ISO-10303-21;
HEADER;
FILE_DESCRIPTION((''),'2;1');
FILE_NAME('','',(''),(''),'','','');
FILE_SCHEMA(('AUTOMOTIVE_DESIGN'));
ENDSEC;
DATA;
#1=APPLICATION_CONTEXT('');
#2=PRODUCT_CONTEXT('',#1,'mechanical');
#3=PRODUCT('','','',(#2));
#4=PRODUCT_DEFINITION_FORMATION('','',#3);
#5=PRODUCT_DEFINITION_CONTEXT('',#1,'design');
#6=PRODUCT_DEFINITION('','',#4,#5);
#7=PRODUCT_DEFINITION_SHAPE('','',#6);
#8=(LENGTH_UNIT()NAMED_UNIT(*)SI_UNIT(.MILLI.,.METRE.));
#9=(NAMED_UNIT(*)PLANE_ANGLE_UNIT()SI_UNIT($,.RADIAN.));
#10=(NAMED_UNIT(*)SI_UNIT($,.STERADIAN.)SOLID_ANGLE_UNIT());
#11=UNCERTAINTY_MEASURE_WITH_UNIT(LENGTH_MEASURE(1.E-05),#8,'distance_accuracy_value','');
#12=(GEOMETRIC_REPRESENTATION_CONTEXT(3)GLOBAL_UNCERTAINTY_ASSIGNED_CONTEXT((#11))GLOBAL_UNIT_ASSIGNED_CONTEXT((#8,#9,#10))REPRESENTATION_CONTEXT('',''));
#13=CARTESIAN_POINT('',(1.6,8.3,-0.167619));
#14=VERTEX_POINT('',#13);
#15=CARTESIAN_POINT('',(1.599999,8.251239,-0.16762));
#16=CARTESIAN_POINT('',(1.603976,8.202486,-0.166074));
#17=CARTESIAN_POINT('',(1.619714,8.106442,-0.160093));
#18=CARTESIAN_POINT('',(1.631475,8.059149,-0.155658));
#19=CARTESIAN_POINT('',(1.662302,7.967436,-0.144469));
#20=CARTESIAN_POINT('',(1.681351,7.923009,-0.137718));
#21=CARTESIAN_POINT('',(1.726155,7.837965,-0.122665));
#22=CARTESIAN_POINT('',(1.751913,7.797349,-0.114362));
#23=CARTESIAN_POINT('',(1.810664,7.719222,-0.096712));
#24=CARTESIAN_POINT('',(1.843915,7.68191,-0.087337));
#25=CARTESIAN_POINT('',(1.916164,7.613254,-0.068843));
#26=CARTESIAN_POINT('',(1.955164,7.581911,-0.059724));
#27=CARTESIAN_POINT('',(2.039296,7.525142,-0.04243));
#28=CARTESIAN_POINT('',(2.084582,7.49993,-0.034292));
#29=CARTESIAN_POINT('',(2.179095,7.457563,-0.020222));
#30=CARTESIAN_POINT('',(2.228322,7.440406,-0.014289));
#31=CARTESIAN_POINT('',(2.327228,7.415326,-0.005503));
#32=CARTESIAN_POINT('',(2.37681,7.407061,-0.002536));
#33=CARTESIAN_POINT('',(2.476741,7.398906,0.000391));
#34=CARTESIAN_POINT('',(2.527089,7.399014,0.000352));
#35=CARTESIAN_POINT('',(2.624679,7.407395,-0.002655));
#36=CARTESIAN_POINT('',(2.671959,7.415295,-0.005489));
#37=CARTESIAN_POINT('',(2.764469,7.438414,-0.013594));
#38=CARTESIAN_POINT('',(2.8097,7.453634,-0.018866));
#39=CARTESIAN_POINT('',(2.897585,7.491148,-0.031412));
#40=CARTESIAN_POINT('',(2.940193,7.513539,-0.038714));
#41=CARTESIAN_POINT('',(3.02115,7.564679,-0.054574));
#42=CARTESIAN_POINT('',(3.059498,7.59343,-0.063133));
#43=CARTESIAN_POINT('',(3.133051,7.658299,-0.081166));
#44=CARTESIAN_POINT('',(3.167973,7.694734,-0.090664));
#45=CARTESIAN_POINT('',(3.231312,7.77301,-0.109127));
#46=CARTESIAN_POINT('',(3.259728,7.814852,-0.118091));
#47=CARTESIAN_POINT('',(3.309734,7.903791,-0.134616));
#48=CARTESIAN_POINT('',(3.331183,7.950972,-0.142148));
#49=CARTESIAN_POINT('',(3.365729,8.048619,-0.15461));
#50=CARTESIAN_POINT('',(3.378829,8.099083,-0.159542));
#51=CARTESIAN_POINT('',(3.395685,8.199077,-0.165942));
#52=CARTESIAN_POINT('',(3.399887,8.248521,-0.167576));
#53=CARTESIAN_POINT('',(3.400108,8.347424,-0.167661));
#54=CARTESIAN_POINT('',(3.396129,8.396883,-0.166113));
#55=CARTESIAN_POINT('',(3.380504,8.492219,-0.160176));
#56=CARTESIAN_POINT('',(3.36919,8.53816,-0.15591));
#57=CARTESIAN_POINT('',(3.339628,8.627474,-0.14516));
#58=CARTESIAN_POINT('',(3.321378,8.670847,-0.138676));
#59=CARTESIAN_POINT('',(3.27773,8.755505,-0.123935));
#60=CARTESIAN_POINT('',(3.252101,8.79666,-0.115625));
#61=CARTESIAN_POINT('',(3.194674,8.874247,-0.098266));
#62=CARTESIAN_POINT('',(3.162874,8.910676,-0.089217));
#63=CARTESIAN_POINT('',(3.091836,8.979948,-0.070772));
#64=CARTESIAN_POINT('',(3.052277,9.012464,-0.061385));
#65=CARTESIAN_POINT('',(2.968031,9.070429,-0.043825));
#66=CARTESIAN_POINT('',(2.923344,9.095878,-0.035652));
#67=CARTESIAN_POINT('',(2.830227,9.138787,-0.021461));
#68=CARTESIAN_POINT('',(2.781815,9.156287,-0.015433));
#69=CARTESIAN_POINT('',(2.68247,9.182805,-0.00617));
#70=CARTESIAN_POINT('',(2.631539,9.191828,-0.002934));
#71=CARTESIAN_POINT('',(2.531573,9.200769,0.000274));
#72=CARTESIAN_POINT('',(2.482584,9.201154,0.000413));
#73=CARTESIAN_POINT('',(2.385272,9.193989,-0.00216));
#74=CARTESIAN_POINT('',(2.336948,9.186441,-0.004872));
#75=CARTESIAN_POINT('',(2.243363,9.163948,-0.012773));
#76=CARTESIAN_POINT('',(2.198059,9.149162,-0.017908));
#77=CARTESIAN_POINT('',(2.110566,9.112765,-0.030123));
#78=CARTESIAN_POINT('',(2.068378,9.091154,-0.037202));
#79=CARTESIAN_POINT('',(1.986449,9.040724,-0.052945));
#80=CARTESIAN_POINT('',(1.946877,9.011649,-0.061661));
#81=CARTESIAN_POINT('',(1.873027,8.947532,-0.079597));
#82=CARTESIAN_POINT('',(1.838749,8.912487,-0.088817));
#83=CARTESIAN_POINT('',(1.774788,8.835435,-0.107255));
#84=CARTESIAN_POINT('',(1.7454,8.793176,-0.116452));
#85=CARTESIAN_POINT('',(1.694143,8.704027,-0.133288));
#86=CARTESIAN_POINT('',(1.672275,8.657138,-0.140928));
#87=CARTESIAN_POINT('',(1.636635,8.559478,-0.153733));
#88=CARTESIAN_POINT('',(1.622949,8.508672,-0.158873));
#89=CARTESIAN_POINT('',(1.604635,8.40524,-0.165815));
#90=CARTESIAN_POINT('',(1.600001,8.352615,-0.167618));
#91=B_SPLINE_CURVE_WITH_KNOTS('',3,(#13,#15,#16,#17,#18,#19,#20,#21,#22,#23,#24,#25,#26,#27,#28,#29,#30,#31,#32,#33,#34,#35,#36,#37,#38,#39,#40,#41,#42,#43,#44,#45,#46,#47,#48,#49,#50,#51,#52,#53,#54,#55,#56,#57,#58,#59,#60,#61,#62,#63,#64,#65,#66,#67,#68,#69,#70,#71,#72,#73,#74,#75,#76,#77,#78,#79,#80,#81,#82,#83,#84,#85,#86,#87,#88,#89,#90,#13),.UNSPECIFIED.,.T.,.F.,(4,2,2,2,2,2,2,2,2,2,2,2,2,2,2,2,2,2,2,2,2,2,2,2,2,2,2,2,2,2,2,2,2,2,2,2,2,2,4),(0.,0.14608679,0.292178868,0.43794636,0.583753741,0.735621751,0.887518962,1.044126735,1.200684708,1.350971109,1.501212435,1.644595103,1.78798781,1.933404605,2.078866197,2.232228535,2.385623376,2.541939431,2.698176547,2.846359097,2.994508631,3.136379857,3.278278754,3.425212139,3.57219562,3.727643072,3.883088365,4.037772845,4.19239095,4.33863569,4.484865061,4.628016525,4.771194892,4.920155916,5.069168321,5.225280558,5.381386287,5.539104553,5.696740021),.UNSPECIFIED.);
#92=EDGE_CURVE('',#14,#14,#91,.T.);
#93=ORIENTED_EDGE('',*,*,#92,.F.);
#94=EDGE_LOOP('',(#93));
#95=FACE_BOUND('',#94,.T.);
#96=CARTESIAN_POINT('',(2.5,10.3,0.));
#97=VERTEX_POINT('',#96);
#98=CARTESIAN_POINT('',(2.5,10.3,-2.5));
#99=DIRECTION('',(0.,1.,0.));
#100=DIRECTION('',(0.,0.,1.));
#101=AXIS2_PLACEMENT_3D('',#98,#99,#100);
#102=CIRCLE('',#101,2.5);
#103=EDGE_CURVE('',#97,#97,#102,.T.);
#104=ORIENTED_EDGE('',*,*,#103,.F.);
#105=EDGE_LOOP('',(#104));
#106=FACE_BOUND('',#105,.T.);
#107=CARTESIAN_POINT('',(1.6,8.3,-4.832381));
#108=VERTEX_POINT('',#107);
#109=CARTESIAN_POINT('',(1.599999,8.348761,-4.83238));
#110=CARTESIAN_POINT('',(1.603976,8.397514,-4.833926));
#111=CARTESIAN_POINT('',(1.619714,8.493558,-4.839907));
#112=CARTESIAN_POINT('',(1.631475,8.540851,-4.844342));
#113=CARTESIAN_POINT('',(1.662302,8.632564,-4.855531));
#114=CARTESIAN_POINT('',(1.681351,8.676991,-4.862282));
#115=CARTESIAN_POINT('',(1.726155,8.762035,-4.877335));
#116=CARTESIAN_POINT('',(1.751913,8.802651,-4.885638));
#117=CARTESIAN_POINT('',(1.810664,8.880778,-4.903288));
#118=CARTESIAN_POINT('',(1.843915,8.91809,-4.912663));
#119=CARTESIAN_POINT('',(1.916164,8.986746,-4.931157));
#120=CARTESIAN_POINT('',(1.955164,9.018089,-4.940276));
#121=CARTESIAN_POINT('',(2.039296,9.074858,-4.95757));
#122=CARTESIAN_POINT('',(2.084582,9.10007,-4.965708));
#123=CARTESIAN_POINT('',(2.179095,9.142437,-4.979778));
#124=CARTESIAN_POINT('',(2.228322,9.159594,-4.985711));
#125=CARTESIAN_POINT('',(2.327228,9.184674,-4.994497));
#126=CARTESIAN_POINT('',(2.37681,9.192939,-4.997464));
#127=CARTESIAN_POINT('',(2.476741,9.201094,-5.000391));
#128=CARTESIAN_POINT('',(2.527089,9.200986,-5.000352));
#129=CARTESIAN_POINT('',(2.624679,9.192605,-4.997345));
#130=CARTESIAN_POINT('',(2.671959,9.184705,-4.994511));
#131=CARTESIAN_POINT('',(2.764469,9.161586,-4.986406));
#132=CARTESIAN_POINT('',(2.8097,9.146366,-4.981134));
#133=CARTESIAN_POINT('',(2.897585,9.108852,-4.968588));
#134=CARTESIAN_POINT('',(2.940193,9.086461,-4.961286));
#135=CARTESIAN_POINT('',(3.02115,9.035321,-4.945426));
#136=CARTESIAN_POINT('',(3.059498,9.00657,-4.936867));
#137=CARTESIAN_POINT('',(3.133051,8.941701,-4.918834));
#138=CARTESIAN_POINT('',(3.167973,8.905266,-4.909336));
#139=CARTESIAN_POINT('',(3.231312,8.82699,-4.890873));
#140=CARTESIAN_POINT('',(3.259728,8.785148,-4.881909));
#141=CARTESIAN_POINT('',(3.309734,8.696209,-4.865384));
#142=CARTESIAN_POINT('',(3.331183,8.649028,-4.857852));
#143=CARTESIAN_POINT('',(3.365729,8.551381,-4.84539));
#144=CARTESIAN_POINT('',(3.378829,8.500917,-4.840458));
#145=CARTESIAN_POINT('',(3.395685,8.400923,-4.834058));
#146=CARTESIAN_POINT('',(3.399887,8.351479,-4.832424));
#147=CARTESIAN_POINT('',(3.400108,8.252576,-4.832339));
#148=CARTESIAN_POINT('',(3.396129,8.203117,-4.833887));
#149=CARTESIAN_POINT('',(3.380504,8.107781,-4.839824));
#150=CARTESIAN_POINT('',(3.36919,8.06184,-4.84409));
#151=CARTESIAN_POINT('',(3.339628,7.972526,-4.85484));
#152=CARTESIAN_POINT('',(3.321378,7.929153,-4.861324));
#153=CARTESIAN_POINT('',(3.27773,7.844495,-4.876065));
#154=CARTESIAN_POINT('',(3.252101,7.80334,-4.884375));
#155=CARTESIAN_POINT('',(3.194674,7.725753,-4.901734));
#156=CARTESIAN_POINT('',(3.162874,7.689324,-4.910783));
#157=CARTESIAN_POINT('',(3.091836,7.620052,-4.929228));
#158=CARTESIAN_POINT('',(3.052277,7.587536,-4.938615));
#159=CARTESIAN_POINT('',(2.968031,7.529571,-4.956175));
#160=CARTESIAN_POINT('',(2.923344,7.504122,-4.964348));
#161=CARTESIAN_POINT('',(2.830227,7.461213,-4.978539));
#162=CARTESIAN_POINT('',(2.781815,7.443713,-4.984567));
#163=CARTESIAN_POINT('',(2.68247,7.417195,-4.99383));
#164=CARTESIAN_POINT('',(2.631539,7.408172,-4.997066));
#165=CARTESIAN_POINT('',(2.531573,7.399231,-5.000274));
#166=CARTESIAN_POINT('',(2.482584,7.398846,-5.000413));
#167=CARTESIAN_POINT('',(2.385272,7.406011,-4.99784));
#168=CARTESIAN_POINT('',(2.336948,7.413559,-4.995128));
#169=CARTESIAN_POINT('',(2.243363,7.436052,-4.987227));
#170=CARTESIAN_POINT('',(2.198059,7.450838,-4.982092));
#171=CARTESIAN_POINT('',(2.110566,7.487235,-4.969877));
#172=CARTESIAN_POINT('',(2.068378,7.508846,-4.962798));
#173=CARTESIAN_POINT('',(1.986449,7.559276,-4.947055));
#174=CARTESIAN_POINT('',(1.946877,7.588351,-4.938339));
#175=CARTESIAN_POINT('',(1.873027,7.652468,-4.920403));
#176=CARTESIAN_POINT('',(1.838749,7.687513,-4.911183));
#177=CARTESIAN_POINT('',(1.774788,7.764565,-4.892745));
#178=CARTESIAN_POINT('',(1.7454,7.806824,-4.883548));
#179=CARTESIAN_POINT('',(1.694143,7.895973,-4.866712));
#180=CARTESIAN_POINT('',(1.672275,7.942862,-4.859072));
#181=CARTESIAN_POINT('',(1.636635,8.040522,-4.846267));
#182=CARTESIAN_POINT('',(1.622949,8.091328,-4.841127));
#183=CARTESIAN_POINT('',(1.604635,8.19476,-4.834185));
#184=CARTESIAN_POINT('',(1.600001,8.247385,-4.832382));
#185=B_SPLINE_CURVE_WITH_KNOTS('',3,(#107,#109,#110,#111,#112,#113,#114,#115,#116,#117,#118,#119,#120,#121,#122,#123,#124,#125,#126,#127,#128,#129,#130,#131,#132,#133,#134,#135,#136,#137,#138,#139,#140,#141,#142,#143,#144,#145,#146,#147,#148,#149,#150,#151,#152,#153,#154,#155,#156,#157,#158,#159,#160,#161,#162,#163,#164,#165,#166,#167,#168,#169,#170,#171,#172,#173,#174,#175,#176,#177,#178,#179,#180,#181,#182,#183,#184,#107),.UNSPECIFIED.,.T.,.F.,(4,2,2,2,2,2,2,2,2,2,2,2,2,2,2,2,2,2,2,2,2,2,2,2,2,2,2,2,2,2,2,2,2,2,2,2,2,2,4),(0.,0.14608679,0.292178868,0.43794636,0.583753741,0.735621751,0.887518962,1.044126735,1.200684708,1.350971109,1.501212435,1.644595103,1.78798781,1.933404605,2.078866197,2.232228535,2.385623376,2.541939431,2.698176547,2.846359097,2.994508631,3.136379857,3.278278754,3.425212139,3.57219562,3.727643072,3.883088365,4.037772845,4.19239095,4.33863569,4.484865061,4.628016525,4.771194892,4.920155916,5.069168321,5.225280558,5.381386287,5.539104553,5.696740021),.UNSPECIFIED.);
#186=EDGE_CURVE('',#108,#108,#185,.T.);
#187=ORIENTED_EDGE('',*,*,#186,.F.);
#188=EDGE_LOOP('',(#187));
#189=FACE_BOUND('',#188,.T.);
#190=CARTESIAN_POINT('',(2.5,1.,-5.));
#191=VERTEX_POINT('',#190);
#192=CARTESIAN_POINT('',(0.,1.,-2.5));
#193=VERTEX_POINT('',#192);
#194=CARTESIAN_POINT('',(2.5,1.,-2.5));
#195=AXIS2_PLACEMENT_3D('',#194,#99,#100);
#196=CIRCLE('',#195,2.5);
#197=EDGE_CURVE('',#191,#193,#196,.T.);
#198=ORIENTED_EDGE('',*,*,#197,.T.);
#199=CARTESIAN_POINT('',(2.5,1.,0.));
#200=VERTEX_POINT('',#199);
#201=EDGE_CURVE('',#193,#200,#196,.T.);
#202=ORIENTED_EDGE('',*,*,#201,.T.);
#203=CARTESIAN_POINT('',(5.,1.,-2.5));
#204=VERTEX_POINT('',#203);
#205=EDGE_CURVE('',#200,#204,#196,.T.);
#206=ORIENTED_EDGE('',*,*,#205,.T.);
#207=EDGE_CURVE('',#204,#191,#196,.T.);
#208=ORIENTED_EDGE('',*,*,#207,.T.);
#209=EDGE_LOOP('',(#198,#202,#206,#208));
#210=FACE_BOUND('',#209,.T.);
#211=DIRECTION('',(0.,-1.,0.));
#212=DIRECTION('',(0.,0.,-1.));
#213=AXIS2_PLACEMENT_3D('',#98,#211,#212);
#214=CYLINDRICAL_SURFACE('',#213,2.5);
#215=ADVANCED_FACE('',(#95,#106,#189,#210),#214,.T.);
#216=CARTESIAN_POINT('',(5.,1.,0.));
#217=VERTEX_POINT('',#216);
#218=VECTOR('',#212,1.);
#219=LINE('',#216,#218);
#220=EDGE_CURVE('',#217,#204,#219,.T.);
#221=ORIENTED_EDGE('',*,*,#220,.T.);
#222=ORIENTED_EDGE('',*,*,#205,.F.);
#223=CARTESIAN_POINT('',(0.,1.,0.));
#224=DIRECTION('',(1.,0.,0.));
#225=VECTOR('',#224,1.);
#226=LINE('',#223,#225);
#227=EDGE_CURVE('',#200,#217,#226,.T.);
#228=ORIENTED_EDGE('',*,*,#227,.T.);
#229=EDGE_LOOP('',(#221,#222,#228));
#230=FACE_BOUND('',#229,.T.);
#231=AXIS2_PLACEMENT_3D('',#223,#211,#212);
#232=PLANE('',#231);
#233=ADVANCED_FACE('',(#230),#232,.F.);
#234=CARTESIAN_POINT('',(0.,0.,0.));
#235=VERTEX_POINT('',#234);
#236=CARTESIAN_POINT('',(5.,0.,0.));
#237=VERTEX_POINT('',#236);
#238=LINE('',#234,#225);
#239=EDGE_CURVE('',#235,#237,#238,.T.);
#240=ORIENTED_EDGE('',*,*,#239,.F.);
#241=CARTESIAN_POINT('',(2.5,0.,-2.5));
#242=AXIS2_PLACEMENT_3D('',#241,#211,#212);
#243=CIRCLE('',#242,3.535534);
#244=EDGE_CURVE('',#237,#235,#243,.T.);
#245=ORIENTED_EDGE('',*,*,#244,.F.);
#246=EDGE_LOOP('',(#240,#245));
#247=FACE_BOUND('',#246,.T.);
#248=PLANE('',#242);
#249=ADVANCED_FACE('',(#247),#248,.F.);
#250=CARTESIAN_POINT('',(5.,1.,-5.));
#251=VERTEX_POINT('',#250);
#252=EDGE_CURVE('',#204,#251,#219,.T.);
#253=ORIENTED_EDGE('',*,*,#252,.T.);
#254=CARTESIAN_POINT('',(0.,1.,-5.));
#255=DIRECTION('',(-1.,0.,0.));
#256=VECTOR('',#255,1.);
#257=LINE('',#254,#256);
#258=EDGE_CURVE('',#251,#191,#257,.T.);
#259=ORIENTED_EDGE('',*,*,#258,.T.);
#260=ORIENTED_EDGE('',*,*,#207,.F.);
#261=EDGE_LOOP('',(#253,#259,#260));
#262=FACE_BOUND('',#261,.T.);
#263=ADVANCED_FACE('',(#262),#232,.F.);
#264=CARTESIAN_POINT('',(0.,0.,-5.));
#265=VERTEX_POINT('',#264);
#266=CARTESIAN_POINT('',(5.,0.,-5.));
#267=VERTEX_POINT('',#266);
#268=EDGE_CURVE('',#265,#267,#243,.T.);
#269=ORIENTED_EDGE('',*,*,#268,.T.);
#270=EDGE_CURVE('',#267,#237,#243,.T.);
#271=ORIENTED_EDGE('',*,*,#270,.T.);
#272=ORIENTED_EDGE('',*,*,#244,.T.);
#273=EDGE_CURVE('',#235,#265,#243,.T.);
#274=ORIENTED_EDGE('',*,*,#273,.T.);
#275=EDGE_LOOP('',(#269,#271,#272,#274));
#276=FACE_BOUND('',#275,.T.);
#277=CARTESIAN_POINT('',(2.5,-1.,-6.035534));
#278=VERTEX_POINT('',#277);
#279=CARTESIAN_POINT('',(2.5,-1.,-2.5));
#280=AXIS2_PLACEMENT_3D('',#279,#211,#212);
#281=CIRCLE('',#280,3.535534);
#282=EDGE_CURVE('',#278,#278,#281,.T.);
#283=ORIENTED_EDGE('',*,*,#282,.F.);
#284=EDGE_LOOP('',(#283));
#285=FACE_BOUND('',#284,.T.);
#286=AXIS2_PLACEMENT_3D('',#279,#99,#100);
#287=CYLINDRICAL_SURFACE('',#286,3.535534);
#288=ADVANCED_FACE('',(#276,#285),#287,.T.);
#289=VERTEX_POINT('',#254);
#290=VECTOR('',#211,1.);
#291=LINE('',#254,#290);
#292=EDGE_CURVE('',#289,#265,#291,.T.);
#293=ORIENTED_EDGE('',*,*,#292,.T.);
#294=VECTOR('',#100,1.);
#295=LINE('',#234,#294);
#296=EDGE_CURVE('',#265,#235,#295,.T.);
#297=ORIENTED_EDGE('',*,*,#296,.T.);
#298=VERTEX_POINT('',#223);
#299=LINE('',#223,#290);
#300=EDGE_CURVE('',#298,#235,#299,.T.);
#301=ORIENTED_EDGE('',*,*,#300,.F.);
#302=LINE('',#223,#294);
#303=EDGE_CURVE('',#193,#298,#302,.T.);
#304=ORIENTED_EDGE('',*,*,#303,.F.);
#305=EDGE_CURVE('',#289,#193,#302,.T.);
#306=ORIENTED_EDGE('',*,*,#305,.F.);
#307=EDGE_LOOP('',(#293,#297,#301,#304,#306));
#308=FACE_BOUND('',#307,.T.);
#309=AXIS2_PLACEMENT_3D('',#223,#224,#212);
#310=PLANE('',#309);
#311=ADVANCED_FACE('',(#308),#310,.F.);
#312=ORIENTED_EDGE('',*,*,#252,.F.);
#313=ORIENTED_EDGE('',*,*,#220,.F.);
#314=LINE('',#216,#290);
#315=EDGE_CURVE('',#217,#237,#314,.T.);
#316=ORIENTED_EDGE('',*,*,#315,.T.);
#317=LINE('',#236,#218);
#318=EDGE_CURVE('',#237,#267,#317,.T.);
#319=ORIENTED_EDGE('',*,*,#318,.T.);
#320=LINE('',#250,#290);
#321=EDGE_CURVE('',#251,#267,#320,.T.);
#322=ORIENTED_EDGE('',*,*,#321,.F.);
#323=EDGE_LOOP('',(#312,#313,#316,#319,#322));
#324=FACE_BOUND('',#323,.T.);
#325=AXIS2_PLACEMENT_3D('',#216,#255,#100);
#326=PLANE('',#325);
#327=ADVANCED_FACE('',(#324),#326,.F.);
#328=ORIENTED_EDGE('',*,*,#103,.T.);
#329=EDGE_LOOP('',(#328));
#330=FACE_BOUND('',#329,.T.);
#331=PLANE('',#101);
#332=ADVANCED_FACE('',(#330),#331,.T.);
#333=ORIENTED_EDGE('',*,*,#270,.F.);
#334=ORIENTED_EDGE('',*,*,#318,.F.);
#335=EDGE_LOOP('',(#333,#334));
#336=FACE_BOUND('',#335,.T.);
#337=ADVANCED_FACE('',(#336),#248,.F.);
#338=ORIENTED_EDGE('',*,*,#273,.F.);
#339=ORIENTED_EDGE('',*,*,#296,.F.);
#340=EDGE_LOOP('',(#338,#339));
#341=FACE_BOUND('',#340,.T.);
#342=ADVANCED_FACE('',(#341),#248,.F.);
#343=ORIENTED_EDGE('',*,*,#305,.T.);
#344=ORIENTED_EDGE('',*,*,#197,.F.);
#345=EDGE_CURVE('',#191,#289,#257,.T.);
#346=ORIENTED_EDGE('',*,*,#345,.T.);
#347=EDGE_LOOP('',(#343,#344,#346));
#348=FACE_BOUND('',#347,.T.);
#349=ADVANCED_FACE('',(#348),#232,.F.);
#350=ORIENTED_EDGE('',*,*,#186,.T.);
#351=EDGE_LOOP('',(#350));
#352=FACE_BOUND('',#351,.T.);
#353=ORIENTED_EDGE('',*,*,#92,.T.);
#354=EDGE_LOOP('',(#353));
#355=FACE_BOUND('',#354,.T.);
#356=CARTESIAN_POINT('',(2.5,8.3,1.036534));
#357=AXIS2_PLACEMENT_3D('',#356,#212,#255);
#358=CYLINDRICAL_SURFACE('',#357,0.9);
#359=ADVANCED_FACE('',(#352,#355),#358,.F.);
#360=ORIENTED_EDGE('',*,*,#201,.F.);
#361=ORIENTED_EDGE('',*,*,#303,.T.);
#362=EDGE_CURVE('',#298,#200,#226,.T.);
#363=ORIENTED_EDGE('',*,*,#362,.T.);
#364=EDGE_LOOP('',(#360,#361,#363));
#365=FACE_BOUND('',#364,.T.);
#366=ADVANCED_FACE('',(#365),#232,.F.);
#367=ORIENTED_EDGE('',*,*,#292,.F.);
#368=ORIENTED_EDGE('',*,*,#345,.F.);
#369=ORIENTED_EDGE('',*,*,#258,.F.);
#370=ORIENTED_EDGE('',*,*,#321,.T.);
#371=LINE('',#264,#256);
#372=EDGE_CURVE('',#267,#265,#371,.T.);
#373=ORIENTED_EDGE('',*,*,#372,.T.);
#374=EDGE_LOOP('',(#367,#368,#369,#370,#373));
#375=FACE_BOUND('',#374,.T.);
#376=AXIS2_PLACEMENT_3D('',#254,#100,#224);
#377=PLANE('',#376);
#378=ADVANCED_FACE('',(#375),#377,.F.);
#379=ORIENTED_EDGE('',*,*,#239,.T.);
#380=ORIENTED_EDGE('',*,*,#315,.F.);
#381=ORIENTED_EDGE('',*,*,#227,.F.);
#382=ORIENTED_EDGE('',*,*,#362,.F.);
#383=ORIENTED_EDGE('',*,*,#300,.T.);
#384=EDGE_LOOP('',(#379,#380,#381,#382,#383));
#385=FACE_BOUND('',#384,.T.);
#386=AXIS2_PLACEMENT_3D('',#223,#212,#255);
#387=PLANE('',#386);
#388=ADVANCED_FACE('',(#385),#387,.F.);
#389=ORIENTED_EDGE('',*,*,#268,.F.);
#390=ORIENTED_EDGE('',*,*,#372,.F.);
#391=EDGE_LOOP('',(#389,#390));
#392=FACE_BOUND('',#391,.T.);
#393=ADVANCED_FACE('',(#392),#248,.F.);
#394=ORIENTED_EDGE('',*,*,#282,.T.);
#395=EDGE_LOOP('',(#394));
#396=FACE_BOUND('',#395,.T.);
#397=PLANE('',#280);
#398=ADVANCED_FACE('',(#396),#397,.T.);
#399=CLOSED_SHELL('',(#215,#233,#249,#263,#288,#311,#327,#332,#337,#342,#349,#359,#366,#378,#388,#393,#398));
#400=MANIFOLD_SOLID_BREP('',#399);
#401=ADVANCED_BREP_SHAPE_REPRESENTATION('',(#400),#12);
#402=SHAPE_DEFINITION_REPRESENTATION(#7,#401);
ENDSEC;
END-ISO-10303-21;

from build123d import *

# Parameters (mm, degrees)
SKETCH_3_W          = 5
SKETCH_3_H          = 5
EXTRUDE_2_DEPTH     = 1
SKETCH_4_R          = 3.535533906
EXTRUDE_3_DEPTH     = 1
SKETCH_5_R          = 2.5
EXTRUDE_4_DEPTH     = 9.3
CUT_EXTRUDE_1_REACH = 15.377
SKETCH_7_R          = 0.9


with BuildPart() as part:
    # 草图3 → 凸台-拉伸2 (new body)
    with BuildSketch(Plane(origin=(0, 0, 0), x_dir=(1, 0, 0), z_dir=(0, 1, 0))):
        with Locations((2.5, 2.5)):
            Rectangle(SKETCH_3_W, SKETCH_3_H)
    extrude(amount=EXTRUDE_2_DEPTH)

    # 草图4 → 凸台-拉伸3 (add)
    with BuildSketch(Plane.XZ):
        with Locations(Location((2.5, -2.5, 0), (0, 0, 45))):
            Circle(SKETCH_4_R)
    extrude(amount=EXTRUDE_3_DEPTH)

    # 草图5 → 凸台-拉伸4 (add)
    with BuildSketch(Plane(origin=(0, 1, 0), x_dir=(1, 0, 0), z_dir=(0, 1, 0))):
        with Locations(Location((2.5, 2.5, 0), (0, 0, 270))):
            Circle(SKETCH_5_R)
    extrude(amount=EXTRUDE_4_DEPTH)

    # 草图7 → 切除-拉伸1 (cut, up to next)
    with BuildSketch(Plane(origin=(0, 0, -5), x_dir=(-1, 0, 0), z_dir=(0, 0, -1)), mode=Mode.PRIVATE) as cut_extrude_1_sk1:
        with Locations((-2.5, 8.3)):
            Circle(SKETCH_7_R)
    cut_extrude_1_tool1 = extrude(cut_extrude_1_sk1.sketch, amount=-CUT_EXTRUDE_1_REACH, mode=Mode.PRIVATE) & part.part
    add(cut_extrude_1_tool1.solids().sort_by_distance((2.5, 8.3, -5))[0], mode=Mode.SUBTRACT)


solid = part.part
